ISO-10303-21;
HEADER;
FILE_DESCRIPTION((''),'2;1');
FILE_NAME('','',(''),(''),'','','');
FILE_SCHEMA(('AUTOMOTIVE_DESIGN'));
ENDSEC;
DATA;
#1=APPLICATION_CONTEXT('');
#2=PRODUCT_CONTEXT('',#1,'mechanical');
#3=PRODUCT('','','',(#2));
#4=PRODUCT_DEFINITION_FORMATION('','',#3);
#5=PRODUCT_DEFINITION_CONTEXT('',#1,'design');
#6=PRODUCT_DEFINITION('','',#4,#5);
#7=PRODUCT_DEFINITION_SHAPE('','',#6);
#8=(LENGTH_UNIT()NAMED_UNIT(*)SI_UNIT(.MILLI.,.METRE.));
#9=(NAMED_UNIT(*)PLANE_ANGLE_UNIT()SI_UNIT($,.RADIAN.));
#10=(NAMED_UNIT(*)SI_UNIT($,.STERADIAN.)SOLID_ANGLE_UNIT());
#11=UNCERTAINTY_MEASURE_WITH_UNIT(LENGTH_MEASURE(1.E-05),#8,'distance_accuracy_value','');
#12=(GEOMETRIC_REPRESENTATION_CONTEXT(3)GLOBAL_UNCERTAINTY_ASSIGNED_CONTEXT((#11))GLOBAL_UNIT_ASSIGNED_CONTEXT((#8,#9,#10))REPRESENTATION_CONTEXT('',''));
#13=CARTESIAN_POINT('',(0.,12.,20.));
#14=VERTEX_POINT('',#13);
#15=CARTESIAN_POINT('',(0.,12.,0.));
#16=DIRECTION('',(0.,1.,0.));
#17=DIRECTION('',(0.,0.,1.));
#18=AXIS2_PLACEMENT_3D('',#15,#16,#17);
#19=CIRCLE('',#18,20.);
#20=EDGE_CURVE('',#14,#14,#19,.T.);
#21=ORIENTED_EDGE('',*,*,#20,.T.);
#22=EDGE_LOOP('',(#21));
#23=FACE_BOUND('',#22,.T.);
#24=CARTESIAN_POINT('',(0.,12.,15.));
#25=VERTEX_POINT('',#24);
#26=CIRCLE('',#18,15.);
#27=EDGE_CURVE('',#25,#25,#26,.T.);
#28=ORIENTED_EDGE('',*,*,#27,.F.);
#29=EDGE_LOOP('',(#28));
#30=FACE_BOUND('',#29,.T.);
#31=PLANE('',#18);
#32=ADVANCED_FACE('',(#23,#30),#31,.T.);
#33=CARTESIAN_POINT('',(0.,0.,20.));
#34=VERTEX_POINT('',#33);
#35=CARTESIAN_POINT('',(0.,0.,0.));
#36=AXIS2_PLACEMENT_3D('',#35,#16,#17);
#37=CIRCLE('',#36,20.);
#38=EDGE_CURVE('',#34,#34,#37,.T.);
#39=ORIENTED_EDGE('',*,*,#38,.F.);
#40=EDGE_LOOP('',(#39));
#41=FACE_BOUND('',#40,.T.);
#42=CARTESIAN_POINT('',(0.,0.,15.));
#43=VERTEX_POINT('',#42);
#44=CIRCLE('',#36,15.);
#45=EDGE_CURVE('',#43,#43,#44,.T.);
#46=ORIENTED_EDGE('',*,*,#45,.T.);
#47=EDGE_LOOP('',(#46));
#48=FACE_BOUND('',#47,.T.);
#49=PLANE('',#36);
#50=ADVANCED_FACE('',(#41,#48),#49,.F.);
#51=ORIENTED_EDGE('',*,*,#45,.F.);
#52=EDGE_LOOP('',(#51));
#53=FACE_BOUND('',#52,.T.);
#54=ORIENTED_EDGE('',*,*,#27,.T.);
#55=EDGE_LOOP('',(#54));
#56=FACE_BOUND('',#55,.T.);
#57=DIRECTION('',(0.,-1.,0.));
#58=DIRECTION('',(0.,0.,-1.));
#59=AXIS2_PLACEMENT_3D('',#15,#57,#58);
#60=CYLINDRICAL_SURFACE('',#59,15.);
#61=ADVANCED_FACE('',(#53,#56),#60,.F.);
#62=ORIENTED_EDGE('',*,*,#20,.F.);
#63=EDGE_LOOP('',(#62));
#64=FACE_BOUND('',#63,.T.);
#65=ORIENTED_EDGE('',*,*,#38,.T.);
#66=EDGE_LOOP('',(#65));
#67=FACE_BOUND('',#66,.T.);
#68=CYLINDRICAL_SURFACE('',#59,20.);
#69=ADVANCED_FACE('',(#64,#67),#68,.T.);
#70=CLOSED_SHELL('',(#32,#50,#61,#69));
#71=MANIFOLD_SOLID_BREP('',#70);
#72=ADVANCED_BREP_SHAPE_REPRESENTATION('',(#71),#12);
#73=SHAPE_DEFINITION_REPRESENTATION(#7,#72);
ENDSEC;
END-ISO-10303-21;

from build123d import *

# Parameters (mm, degrees)
SKETCH1_R           = 20
SKETCH1_R_2         = 15
BOSS_EXTRUDE1_DEPTH = 12


with BuildPart() as part:
    # Sketch1 → Boss-Extrude1 (new body)
    with BuildSketch(Plane(origin=(0, 0, 0), x_dir=(1, 0, 0), z_dir=(0, 1, 0))):
        Circle(SKETCH1_R)
        Circle(SKETCH1_R_2, mode=Mode.SUBTRACT)
    extrude(amount=BOSS_EXTRUDE1_DEPTH)


solid = part.part
